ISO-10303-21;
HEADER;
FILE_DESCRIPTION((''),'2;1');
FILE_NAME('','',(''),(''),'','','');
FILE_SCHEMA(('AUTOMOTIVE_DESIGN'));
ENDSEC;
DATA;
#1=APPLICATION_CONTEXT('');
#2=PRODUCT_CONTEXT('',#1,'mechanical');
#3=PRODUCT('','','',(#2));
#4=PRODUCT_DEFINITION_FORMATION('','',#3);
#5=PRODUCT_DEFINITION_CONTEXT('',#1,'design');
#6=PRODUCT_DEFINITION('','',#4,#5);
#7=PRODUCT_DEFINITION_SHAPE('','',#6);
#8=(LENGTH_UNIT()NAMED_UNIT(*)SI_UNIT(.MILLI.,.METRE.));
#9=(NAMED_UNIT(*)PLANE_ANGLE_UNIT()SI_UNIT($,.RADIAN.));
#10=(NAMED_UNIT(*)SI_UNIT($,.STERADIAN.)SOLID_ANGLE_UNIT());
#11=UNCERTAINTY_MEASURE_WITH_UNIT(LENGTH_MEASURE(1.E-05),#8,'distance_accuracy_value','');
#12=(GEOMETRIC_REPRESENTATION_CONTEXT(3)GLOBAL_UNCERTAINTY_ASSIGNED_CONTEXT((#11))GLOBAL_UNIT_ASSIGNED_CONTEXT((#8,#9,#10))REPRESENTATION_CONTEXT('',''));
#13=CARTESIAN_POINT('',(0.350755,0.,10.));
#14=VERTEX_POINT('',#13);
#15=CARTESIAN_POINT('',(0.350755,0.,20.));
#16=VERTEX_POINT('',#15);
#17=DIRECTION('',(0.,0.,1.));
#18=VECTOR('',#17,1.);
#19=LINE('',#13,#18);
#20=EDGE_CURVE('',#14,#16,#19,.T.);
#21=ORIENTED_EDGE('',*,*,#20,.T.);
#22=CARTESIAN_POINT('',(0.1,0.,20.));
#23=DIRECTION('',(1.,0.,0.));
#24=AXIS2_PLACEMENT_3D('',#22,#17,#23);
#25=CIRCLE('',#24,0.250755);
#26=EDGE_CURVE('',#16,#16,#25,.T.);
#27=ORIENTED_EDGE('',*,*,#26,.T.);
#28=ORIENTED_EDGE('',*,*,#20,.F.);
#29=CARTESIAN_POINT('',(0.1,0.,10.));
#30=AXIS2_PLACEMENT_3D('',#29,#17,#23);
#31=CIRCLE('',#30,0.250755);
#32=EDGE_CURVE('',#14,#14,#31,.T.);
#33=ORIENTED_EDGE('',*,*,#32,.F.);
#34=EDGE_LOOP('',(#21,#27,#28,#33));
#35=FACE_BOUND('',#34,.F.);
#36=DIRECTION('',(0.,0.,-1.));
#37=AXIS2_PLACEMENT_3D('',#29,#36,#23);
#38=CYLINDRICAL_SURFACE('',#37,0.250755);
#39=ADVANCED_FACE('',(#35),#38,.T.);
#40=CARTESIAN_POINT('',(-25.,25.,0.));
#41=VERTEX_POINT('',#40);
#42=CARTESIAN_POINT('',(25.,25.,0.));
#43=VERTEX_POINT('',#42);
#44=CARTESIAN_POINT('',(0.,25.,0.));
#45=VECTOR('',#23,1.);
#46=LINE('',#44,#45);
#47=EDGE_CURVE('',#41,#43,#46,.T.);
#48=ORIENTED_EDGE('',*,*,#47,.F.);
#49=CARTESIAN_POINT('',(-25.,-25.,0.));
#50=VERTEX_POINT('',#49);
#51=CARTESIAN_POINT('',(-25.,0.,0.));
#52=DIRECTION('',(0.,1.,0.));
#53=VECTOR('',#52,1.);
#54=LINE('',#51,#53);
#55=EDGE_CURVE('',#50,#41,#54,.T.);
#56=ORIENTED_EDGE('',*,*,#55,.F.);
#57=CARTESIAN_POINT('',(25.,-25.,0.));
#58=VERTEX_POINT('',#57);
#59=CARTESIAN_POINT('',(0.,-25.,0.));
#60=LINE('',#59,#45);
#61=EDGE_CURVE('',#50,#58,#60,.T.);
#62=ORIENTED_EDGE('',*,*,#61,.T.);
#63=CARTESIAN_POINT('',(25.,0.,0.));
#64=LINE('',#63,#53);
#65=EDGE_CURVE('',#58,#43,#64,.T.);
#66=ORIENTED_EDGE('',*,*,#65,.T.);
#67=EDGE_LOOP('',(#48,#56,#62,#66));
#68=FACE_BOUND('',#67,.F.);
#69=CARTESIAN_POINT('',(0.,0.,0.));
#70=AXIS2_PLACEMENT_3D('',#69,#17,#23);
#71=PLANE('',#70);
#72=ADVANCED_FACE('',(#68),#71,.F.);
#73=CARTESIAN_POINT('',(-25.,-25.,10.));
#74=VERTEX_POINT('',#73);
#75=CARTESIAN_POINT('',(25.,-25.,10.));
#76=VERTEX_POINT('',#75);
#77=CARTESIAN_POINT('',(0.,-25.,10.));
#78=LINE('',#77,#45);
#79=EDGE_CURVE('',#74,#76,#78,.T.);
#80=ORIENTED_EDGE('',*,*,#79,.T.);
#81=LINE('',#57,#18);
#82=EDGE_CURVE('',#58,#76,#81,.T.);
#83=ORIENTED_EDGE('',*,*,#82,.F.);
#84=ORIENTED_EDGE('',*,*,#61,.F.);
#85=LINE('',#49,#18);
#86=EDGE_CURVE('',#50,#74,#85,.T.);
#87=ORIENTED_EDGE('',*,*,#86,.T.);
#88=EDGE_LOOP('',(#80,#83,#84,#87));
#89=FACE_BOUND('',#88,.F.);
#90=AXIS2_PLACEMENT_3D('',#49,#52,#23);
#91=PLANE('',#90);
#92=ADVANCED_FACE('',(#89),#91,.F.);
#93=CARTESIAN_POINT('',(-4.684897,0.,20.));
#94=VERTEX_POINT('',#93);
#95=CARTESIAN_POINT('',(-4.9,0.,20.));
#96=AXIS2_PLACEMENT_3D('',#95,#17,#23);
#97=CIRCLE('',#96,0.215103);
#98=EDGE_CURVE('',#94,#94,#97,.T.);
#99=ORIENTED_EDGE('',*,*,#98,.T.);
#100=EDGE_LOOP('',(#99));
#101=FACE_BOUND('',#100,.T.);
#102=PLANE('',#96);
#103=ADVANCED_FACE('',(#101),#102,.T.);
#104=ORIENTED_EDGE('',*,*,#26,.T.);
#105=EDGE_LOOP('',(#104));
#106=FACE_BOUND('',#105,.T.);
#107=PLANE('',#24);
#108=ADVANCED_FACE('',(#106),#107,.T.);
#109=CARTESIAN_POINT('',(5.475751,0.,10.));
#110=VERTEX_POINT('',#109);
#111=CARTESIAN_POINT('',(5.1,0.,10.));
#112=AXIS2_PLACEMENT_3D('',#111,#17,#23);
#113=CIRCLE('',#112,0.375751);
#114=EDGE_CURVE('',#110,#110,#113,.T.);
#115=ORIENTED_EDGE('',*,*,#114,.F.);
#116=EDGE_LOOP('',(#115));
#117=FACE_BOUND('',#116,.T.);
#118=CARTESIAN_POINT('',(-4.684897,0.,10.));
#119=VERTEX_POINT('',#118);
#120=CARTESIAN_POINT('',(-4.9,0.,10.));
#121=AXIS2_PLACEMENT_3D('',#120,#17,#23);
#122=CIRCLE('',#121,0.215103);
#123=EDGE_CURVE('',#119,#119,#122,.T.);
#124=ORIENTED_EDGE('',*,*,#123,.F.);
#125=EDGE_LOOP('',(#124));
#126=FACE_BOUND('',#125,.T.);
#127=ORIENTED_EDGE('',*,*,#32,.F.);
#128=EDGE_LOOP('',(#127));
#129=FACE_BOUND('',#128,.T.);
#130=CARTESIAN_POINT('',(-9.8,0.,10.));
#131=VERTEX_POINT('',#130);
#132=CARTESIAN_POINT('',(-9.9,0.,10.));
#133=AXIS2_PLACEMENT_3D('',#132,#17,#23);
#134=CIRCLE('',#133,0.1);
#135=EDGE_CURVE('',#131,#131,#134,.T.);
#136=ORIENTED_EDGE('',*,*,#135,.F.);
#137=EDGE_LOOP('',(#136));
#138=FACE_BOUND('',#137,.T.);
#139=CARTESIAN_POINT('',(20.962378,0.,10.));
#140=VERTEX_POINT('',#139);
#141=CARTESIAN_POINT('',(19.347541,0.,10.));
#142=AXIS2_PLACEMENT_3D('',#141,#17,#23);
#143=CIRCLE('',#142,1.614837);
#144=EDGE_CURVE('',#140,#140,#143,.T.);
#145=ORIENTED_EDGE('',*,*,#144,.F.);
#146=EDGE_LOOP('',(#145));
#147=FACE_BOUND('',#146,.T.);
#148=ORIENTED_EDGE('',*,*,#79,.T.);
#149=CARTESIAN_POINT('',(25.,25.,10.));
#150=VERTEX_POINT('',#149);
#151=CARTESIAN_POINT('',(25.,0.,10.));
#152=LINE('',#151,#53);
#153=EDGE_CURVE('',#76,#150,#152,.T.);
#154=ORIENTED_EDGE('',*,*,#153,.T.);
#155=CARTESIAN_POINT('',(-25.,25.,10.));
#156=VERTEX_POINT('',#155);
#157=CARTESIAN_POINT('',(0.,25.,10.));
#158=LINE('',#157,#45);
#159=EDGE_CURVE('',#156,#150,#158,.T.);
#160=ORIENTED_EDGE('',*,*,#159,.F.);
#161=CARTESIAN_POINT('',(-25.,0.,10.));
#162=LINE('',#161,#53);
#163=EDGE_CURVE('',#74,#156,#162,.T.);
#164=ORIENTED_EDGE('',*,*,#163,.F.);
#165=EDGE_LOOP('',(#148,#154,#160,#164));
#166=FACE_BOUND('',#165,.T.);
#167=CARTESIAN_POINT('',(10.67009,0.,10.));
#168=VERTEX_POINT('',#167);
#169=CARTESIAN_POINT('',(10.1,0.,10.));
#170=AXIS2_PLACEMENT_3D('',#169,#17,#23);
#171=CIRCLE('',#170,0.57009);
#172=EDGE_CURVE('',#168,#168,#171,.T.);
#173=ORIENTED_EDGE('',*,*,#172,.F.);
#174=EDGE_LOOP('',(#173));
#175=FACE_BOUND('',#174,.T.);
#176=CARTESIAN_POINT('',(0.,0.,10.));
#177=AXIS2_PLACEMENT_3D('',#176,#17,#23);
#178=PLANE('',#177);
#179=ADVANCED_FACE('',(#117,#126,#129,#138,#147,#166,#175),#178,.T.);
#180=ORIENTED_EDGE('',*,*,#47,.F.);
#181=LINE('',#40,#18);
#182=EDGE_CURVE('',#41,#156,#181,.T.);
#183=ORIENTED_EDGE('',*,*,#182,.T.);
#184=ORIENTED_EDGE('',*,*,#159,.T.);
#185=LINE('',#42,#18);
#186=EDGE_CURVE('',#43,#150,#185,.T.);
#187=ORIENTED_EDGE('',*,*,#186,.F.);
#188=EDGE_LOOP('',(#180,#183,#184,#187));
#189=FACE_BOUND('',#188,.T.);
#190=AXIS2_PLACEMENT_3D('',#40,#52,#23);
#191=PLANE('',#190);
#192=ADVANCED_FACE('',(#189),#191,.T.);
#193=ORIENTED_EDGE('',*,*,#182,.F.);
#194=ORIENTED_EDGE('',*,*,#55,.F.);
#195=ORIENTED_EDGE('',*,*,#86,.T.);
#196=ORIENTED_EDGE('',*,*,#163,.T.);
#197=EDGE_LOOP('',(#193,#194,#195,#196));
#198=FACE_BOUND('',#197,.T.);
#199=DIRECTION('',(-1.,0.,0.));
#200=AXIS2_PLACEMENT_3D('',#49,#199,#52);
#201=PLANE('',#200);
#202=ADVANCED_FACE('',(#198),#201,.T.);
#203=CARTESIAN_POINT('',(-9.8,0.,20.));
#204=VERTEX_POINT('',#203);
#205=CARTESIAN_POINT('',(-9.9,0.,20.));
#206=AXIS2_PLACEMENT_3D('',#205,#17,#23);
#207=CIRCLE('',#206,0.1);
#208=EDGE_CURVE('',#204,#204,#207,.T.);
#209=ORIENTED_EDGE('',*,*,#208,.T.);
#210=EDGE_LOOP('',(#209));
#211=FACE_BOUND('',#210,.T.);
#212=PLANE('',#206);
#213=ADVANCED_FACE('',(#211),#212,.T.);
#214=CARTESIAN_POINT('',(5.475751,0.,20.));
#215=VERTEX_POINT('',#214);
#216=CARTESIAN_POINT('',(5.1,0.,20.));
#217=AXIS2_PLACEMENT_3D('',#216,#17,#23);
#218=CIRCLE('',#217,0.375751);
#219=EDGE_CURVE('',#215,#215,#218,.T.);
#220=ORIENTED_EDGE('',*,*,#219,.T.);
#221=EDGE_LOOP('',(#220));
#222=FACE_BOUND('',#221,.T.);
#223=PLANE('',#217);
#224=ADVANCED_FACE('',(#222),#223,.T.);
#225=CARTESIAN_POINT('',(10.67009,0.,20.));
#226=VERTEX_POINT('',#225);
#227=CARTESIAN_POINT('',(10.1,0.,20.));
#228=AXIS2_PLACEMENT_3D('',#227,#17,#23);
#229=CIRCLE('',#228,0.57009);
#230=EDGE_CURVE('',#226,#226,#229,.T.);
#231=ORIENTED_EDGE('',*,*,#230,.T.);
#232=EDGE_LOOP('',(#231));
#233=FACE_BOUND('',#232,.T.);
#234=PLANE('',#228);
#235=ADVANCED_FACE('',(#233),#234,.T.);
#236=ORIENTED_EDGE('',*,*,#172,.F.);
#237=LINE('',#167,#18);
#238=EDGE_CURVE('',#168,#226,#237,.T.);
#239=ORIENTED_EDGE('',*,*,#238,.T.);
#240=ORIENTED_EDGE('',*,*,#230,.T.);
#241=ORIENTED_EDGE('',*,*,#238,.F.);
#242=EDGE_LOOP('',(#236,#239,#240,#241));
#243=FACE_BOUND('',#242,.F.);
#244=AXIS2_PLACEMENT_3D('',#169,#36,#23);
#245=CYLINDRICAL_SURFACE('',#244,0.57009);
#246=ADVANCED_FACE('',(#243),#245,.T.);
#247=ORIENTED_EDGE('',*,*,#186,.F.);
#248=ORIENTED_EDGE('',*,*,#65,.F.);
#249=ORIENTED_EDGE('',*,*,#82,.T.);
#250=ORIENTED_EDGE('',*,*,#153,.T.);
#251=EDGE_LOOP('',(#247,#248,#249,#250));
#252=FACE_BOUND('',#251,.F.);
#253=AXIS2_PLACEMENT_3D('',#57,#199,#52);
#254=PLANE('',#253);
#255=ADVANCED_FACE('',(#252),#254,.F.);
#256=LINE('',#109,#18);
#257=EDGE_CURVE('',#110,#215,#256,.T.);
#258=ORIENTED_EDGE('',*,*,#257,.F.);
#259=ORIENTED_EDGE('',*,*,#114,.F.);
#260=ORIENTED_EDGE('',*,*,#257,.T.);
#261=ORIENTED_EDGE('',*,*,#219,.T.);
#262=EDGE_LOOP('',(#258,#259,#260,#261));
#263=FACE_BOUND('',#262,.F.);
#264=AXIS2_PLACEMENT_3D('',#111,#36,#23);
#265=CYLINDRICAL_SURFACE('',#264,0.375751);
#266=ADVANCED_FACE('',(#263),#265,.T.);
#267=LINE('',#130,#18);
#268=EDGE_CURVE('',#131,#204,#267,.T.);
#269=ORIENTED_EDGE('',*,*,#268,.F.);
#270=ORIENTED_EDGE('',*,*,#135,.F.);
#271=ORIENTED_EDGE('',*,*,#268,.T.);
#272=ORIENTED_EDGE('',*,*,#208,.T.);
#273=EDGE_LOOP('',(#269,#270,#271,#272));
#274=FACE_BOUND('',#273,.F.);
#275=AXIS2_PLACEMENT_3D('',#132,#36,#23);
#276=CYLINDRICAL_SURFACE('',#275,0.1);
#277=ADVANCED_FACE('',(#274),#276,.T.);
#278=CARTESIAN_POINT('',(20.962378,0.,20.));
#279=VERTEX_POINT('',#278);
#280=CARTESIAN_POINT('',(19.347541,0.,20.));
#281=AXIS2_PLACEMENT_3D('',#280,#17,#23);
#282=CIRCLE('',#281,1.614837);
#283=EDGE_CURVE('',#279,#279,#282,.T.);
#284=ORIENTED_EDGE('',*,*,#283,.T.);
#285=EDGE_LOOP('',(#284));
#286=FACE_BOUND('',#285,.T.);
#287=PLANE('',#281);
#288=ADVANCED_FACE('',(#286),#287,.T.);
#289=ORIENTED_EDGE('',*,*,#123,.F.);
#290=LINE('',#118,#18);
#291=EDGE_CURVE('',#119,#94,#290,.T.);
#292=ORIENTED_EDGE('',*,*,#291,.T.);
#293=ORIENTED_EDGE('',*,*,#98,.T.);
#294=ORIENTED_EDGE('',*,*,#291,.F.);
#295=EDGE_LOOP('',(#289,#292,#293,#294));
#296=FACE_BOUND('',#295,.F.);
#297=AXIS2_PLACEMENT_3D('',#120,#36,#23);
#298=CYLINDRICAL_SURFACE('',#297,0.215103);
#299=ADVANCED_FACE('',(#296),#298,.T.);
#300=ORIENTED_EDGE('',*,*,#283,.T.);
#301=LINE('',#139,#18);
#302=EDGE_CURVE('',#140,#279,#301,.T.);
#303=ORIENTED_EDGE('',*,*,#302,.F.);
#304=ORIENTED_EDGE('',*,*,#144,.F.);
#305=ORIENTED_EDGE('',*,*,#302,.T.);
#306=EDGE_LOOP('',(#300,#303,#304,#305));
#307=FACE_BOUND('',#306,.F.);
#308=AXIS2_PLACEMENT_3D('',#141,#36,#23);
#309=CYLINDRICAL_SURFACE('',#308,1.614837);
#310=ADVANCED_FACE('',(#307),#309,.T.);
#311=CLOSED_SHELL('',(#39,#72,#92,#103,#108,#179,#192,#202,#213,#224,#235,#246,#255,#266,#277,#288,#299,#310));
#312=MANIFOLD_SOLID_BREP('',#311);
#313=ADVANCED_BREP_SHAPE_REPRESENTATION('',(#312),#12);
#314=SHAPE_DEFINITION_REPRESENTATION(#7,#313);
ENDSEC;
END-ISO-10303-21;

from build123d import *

# Parameters (mm, degrees)
F0_W     = 50
F0_H     = 50
F1_DEPTH = 10
F2_R     = 1.614837
F2_R_2   = 0.57009
F2_R_3   = 0.375751
F2_R_4   = 0.250755
F2_R_5   = 0.215103
F2_R_6   = 0.1
F3_DEPTH = 10


with BuildPart() as f1:
    # F0 (on Top) → F1 (new body)
    with BuildSketch(Plane.XY):
        Rectangle(F0_W, F0_H)
    extrude(amount=F1_DEPTH)

    # F2 (on face) → F3 (join)
    with BuildSketch(Plane.XY.offset(10)):
        with Locations((19.347541, 0)):
            Circle(F2_R)
        with Locations((10.1, 0)):
            Circle(F2_R_2)
        with Locations((5.1, 0)):
            Circle(F2_R_3)
        with Locations((0.1, 0)):
            Circle(F2_R_4)
        with Locations((-4.9, 0)):
            Circle(F2_R_5)
        with Locations((-9.9, 0)):
            Circle(F2_R_6)
    extrude(amount=F3_DEPTH)


solid = f1.part
